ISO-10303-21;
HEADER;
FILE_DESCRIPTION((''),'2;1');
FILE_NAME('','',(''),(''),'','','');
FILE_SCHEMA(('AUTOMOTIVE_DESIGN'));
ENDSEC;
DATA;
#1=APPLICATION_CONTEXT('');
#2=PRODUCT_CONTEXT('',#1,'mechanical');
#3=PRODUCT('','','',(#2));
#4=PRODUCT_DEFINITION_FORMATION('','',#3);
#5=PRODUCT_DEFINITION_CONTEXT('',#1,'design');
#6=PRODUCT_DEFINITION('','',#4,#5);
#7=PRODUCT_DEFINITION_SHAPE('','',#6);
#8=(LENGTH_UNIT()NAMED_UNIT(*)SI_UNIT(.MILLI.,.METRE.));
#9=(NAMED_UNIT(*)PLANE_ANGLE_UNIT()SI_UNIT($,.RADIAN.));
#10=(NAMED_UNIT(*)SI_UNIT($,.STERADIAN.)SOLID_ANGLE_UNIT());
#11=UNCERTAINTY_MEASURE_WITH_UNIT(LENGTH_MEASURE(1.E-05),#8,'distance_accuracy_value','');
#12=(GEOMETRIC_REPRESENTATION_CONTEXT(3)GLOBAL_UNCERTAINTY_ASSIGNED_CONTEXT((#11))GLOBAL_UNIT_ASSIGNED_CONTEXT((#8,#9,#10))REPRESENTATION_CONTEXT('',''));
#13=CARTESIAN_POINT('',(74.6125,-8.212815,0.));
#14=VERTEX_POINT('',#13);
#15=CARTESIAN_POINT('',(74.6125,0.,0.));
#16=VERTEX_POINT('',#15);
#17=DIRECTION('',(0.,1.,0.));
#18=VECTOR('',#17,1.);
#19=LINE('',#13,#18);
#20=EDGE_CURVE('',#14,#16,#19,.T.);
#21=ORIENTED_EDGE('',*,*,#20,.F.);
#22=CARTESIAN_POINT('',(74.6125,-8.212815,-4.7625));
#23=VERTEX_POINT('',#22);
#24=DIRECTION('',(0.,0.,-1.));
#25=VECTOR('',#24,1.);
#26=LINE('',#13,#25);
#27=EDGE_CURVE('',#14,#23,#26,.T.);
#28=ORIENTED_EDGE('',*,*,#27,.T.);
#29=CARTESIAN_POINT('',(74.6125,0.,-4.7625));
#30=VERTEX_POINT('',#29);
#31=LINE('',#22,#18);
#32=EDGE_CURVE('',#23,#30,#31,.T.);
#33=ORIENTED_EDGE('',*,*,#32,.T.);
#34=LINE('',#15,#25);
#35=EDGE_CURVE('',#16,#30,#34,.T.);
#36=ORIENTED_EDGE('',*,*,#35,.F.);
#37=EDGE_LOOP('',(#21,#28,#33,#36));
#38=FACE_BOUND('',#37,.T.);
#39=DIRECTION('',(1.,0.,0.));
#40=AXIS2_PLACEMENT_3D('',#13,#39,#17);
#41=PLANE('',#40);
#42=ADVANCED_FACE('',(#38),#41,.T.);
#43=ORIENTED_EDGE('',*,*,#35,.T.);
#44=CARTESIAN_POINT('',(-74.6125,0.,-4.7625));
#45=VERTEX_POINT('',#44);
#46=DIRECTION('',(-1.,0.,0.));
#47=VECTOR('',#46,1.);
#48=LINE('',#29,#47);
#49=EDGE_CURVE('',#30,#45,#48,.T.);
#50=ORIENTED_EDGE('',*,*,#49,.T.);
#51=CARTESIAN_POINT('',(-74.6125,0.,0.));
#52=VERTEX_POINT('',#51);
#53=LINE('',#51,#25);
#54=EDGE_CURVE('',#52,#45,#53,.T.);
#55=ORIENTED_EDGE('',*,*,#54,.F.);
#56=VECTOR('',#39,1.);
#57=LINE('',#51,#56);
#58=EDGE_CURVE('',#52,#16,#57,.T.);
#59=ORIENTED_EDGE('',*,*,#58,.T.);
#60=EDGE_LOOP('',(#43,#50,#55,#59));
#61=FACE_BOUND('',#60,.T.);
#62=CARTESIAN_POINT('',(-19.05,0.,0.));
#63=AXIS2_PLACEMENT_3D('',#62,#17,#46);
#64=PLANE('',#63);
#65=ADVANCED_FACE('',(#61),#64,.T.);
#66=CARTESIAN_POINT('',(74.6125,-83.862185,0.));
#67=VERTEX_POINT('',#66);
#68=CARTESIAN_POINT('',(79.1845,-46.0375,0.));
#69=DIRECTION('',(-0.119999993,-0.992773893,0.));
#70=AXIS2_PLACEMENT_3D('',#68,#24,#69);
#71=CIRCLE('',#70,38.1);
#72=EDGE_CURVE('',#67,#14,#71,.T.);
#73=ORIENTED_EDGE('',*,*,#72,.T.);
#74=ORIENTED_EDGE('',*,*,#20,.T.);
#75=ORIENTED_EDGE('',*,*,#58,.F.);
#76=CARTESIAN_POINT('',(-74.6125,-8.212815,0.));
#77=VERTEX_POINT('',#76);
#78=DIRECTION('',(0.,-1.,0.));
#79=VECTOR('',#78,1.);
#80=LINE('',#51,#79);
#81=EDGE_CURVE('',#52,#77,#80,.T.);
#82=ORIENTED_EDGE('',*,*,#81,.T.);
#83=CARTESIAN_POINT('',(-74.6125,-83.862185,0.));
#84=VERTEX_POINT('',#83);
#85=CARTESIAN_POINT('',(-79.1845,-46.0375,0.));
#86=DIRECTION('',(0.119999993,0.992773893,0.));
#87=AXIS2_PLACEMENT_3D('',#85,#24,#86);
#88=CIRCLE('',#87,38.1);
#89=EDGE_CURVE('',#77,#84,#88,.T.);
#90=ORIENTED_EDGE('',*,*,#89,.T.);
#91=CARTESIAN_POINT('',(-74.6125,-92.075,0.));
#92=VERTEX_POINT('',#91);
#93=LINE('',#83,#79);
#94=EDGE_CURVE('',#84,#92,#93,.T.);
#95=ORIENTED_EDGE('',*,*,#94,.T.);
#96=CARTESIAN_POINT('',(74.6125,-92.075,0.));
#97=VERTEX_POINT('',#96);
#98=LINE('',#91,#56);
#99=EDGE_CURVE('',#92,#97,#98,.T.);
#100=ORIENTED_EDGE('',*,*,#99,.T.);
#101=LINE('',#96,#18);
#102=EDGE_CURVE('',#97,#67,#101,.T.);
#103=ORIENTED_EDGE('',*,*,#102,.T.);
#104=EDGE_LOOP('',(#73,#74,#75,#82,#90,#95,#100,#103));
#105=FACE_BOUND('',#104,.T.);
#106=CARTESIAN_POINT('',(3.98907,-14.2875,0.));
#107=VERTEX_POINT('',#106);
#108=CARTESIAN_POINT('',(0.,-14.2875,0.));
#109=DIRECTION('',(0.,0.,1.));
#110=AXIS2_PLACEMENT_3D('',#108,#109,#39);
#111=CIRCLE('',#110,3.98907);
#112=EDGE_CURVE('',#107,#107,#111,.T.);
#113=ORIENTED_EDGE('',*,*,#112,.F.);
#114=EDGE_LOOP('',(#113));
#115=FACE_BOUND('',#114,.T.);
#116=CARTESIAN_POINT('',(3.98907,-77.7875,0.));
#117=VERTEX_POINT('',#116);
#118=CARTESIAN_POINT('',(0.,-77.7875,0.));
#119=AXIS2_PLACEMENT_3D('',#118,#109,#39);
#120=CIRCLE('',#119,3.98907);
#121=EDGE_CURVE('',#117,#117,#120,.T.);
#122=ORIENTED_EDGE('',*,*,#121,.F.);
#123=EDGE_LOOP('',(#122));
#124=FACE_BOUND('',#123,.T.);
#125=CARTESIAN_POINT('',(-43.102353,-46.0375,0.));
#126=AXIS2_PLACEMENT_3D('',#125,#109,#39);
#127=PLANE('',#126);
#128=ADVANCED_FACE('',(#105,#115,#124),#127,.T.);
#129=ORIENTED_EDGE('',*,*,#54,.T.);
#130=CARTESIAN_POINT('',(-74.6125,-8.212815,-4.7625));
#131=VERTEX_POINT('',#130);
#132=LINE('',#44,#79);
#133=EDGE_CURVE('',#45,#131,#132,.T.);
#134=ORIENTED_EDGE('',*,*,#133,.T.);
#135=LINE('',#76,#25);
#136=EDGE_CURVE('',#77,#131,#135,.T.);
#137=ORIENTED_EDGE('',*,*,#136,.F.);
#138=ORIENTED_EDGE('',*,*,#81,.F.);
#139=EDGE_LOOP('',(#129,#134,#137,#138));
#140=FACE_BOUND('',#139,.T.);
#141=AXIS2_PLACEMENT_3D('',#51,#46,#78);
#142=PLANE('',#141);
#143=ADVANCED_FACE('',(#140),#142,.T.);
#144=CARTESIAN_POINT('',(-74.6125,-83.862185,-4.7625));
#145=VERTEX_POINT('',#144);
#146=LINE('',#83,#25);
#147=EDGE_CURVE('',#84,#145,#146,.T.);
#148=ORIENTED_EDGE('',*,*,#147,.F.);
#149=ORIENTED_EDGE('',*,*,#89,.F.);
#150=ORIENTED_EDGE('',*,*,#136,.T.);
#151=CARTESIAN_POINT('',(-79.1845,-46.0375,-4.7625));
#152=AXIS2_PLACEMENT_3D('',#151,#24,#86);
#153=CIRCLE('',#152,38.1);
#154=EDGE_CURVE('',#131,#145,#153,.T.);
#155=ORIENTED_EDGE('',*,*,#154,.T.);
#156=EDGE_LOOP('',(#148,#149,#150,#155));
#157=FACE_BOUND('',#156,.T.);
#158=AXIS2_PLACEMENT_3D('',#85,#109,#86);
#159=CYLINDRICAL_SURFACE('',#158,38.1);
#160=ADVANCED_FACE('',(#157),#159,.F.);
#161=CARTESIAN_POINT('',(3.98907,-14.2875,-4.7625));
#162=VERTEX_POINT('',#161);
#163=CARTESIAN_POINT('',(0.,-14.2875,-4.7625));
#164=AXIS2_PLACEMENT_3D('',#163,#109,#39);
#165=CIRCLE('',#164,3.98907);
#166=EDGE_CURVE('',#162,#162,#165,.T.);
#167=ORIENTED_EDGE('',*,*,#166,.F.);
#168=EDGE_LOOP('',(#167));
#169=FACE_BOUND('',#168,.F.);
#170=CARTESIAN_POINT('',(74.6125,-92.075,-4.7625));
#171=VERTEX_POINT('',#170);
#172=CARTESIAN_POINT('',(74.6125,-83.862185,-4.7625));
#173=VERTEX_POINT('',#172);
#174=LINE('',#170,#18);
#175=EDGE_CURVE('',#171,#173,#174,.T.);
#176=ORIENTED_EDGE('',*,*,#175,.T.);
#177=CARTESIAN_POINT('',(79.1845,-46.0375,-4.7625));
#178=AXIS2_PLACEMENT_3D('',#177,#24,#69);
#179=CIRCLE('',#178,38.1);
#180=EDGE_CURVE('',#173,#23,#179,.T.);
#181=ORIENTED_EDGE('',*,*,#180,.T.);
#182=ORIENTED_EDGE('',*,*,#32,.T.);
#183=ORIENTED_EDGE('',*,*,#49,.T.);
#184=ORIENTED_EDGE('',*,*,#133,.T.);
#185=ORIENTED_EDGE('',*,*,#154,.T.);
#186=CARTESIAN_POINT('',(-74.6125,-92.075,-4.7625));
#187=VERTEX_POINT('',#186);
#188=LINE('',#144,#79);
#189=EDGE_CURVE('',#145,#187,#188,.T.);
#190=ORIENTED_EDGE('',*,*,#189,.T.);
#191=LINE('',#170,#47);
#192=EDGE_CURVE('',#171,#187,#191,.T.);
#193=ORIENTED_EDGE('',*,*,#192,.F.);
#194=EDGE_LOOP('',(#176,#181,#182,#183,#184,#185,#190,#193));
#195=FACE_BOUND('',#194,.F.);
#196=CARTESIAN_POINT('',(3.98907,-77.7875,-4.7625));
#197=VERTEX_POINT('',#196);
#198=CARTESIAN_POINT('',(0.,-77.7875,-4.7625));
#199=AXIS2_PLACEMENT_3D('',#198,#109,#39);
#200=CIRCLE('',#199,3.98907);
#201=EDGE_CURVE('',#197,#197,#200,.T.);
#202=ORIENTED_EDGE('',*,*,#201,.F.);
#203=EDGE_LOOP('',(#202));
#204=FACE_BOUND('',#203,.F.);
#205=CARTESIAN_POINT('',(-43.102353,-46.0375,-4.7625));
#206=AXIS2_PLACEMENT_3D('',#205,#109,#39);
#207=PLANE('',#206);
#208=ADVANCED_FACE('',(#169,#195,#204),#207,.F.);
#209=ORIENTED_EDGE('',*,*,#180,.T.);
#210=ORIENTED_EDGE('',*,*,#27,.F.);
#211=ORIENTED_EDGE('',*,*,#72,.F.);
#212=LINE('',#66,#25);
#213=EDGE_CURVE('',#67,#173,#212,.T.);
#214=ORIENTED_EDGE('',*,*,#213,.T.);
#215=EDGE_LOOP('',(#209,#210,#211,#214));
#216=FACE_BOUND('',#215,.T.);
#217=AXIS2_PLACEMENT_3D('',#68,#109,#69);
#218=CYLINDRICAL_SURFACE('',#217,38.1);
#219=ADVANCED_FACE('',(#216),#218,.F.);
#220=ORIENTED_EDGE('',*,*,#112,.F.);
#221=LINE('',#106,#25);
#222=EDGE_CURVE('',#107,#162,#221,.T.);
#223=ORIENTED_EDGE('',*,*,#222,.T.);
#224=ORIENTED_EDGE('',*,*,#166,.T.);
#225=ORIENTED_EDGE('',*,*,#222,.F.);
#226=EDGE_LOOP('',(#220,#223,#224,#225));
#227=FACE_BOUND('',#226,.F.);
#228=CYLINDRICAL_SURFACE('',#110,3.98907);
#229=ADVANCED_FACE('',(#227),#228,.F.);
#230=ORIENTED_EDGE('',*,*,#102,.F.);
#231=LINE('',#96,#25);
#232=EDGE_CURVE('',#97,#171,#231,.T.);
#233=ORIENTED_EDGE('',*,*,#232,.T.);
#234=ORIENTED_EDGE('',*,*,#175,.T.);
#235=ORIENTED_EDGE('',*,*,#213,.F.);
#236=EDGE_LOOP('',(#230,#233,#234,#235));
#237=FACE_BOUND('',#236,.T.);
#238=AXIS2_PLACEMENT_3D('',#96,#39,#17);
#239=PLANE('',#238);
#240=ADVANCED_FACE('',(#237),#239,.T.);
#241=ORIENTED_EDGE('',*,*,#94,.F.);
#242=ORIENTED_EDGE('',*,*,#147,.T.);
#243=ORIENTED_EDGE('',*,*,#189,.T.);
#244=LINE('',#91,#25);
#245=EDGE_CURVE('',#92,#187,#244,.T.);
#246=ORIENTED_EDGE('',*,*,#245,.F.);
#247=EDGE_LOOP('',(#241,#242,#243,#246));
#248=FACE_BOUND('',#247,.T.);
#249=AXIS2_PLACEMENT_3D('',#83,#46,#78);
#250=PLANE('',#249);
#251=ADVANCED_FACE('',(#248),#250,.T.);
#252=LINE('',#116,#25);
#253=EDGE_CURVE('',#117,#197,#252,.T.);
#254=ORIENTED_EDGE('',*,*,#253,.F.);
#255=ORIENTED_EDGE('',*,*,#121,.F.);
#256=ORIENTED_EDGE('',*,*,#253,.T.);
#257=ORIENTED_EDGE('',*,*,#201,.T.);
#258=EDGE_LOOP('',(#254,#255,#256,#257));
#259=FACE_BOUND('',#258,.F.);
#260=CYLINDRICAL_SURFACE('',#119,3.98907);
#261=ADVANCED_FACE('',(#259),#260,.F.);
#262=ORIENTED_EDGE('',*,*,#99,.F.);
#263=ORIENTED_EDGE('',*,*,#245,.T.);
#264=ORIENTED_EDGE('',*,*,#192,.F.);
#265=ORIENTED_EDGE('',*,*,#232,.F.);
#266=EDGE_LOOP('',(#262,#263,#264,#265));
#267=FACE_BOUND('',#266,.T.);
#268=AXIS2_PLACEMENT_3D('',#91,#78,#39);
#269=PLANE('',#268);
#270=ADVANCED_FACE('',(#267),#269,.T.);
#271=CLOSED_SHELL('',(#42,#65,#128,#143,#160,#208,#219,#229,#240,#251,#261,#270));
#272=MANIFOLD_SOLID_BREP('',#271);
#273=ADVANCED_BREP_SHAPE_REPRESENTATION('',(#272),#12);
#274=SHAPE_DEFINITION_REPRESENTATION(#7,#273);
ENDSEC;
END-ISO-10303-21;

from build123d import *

# Parameters (mm, degrees)
F0_W     = 38.1
F0_H     = 92.075
F1_DEPTH = 4.7625
F3_DEPTH = 4.7625
F4_R     = 3.98907
F5_DEPTH = 4.7635


with BuildPart() as f1:
    # F0 (on Top) → F1 (new body)
    with BuildSketch(Plane.XY):
        with Locations((0, -46.0375)):
            Rectangle(F0_W, F0_H)
    extrude(amount=-F1_DEPTH)

    # F2 (on Top) → F3 (join)
    with BuildSketch(Plane.XY):
        with BuildLine():
            Line((-19.05, 0), (-74.6125, 0))
            Line((-74.6125, 0), (-74.6125, -8.212815))
            ThreePointArc((-74.6125, -8.212815), (-41.0845, -46.0375), (-74.6125, -83.862185))
            Line((-74.6125, -83.862185), (-74.6125, -92.075))
            Line((-74.6125, -92.075), (-19.05, -92.075))
            Line((-19.05, -92.075), (-19.05, 0))
        make_face()
        with BuildLine():
            Line((74.6125, -8.212815), (74.6125, 0))
            Line((74.6125, 0), (19.05, 0))
            Line((19.05, 0), (19.05, -92.075))
            Line((19.05, -92.075), (74.6125, -92.075))
            Line((74.6125, -92.075), (74.6125, -83.862185))
            ThreePointArc((74.6125, -83.862185), (41.0845, -46.0375), (74.6125, -8.212815))
        make_face()
    extrude(amount=-F3_DEPTH)

    # F4 (on Top) → F5 (cut, through all)
    with BuildSketch(Plane.XY):
        with Locations((0, -14.2875)):
            Circle(F4_R)
        with Locations((0, -77.7875)):
            Circle(F4_R)
    extrude(amount=-F5_DEPTH, mode=Mode.SUBTRACT)


solid = f1.part
